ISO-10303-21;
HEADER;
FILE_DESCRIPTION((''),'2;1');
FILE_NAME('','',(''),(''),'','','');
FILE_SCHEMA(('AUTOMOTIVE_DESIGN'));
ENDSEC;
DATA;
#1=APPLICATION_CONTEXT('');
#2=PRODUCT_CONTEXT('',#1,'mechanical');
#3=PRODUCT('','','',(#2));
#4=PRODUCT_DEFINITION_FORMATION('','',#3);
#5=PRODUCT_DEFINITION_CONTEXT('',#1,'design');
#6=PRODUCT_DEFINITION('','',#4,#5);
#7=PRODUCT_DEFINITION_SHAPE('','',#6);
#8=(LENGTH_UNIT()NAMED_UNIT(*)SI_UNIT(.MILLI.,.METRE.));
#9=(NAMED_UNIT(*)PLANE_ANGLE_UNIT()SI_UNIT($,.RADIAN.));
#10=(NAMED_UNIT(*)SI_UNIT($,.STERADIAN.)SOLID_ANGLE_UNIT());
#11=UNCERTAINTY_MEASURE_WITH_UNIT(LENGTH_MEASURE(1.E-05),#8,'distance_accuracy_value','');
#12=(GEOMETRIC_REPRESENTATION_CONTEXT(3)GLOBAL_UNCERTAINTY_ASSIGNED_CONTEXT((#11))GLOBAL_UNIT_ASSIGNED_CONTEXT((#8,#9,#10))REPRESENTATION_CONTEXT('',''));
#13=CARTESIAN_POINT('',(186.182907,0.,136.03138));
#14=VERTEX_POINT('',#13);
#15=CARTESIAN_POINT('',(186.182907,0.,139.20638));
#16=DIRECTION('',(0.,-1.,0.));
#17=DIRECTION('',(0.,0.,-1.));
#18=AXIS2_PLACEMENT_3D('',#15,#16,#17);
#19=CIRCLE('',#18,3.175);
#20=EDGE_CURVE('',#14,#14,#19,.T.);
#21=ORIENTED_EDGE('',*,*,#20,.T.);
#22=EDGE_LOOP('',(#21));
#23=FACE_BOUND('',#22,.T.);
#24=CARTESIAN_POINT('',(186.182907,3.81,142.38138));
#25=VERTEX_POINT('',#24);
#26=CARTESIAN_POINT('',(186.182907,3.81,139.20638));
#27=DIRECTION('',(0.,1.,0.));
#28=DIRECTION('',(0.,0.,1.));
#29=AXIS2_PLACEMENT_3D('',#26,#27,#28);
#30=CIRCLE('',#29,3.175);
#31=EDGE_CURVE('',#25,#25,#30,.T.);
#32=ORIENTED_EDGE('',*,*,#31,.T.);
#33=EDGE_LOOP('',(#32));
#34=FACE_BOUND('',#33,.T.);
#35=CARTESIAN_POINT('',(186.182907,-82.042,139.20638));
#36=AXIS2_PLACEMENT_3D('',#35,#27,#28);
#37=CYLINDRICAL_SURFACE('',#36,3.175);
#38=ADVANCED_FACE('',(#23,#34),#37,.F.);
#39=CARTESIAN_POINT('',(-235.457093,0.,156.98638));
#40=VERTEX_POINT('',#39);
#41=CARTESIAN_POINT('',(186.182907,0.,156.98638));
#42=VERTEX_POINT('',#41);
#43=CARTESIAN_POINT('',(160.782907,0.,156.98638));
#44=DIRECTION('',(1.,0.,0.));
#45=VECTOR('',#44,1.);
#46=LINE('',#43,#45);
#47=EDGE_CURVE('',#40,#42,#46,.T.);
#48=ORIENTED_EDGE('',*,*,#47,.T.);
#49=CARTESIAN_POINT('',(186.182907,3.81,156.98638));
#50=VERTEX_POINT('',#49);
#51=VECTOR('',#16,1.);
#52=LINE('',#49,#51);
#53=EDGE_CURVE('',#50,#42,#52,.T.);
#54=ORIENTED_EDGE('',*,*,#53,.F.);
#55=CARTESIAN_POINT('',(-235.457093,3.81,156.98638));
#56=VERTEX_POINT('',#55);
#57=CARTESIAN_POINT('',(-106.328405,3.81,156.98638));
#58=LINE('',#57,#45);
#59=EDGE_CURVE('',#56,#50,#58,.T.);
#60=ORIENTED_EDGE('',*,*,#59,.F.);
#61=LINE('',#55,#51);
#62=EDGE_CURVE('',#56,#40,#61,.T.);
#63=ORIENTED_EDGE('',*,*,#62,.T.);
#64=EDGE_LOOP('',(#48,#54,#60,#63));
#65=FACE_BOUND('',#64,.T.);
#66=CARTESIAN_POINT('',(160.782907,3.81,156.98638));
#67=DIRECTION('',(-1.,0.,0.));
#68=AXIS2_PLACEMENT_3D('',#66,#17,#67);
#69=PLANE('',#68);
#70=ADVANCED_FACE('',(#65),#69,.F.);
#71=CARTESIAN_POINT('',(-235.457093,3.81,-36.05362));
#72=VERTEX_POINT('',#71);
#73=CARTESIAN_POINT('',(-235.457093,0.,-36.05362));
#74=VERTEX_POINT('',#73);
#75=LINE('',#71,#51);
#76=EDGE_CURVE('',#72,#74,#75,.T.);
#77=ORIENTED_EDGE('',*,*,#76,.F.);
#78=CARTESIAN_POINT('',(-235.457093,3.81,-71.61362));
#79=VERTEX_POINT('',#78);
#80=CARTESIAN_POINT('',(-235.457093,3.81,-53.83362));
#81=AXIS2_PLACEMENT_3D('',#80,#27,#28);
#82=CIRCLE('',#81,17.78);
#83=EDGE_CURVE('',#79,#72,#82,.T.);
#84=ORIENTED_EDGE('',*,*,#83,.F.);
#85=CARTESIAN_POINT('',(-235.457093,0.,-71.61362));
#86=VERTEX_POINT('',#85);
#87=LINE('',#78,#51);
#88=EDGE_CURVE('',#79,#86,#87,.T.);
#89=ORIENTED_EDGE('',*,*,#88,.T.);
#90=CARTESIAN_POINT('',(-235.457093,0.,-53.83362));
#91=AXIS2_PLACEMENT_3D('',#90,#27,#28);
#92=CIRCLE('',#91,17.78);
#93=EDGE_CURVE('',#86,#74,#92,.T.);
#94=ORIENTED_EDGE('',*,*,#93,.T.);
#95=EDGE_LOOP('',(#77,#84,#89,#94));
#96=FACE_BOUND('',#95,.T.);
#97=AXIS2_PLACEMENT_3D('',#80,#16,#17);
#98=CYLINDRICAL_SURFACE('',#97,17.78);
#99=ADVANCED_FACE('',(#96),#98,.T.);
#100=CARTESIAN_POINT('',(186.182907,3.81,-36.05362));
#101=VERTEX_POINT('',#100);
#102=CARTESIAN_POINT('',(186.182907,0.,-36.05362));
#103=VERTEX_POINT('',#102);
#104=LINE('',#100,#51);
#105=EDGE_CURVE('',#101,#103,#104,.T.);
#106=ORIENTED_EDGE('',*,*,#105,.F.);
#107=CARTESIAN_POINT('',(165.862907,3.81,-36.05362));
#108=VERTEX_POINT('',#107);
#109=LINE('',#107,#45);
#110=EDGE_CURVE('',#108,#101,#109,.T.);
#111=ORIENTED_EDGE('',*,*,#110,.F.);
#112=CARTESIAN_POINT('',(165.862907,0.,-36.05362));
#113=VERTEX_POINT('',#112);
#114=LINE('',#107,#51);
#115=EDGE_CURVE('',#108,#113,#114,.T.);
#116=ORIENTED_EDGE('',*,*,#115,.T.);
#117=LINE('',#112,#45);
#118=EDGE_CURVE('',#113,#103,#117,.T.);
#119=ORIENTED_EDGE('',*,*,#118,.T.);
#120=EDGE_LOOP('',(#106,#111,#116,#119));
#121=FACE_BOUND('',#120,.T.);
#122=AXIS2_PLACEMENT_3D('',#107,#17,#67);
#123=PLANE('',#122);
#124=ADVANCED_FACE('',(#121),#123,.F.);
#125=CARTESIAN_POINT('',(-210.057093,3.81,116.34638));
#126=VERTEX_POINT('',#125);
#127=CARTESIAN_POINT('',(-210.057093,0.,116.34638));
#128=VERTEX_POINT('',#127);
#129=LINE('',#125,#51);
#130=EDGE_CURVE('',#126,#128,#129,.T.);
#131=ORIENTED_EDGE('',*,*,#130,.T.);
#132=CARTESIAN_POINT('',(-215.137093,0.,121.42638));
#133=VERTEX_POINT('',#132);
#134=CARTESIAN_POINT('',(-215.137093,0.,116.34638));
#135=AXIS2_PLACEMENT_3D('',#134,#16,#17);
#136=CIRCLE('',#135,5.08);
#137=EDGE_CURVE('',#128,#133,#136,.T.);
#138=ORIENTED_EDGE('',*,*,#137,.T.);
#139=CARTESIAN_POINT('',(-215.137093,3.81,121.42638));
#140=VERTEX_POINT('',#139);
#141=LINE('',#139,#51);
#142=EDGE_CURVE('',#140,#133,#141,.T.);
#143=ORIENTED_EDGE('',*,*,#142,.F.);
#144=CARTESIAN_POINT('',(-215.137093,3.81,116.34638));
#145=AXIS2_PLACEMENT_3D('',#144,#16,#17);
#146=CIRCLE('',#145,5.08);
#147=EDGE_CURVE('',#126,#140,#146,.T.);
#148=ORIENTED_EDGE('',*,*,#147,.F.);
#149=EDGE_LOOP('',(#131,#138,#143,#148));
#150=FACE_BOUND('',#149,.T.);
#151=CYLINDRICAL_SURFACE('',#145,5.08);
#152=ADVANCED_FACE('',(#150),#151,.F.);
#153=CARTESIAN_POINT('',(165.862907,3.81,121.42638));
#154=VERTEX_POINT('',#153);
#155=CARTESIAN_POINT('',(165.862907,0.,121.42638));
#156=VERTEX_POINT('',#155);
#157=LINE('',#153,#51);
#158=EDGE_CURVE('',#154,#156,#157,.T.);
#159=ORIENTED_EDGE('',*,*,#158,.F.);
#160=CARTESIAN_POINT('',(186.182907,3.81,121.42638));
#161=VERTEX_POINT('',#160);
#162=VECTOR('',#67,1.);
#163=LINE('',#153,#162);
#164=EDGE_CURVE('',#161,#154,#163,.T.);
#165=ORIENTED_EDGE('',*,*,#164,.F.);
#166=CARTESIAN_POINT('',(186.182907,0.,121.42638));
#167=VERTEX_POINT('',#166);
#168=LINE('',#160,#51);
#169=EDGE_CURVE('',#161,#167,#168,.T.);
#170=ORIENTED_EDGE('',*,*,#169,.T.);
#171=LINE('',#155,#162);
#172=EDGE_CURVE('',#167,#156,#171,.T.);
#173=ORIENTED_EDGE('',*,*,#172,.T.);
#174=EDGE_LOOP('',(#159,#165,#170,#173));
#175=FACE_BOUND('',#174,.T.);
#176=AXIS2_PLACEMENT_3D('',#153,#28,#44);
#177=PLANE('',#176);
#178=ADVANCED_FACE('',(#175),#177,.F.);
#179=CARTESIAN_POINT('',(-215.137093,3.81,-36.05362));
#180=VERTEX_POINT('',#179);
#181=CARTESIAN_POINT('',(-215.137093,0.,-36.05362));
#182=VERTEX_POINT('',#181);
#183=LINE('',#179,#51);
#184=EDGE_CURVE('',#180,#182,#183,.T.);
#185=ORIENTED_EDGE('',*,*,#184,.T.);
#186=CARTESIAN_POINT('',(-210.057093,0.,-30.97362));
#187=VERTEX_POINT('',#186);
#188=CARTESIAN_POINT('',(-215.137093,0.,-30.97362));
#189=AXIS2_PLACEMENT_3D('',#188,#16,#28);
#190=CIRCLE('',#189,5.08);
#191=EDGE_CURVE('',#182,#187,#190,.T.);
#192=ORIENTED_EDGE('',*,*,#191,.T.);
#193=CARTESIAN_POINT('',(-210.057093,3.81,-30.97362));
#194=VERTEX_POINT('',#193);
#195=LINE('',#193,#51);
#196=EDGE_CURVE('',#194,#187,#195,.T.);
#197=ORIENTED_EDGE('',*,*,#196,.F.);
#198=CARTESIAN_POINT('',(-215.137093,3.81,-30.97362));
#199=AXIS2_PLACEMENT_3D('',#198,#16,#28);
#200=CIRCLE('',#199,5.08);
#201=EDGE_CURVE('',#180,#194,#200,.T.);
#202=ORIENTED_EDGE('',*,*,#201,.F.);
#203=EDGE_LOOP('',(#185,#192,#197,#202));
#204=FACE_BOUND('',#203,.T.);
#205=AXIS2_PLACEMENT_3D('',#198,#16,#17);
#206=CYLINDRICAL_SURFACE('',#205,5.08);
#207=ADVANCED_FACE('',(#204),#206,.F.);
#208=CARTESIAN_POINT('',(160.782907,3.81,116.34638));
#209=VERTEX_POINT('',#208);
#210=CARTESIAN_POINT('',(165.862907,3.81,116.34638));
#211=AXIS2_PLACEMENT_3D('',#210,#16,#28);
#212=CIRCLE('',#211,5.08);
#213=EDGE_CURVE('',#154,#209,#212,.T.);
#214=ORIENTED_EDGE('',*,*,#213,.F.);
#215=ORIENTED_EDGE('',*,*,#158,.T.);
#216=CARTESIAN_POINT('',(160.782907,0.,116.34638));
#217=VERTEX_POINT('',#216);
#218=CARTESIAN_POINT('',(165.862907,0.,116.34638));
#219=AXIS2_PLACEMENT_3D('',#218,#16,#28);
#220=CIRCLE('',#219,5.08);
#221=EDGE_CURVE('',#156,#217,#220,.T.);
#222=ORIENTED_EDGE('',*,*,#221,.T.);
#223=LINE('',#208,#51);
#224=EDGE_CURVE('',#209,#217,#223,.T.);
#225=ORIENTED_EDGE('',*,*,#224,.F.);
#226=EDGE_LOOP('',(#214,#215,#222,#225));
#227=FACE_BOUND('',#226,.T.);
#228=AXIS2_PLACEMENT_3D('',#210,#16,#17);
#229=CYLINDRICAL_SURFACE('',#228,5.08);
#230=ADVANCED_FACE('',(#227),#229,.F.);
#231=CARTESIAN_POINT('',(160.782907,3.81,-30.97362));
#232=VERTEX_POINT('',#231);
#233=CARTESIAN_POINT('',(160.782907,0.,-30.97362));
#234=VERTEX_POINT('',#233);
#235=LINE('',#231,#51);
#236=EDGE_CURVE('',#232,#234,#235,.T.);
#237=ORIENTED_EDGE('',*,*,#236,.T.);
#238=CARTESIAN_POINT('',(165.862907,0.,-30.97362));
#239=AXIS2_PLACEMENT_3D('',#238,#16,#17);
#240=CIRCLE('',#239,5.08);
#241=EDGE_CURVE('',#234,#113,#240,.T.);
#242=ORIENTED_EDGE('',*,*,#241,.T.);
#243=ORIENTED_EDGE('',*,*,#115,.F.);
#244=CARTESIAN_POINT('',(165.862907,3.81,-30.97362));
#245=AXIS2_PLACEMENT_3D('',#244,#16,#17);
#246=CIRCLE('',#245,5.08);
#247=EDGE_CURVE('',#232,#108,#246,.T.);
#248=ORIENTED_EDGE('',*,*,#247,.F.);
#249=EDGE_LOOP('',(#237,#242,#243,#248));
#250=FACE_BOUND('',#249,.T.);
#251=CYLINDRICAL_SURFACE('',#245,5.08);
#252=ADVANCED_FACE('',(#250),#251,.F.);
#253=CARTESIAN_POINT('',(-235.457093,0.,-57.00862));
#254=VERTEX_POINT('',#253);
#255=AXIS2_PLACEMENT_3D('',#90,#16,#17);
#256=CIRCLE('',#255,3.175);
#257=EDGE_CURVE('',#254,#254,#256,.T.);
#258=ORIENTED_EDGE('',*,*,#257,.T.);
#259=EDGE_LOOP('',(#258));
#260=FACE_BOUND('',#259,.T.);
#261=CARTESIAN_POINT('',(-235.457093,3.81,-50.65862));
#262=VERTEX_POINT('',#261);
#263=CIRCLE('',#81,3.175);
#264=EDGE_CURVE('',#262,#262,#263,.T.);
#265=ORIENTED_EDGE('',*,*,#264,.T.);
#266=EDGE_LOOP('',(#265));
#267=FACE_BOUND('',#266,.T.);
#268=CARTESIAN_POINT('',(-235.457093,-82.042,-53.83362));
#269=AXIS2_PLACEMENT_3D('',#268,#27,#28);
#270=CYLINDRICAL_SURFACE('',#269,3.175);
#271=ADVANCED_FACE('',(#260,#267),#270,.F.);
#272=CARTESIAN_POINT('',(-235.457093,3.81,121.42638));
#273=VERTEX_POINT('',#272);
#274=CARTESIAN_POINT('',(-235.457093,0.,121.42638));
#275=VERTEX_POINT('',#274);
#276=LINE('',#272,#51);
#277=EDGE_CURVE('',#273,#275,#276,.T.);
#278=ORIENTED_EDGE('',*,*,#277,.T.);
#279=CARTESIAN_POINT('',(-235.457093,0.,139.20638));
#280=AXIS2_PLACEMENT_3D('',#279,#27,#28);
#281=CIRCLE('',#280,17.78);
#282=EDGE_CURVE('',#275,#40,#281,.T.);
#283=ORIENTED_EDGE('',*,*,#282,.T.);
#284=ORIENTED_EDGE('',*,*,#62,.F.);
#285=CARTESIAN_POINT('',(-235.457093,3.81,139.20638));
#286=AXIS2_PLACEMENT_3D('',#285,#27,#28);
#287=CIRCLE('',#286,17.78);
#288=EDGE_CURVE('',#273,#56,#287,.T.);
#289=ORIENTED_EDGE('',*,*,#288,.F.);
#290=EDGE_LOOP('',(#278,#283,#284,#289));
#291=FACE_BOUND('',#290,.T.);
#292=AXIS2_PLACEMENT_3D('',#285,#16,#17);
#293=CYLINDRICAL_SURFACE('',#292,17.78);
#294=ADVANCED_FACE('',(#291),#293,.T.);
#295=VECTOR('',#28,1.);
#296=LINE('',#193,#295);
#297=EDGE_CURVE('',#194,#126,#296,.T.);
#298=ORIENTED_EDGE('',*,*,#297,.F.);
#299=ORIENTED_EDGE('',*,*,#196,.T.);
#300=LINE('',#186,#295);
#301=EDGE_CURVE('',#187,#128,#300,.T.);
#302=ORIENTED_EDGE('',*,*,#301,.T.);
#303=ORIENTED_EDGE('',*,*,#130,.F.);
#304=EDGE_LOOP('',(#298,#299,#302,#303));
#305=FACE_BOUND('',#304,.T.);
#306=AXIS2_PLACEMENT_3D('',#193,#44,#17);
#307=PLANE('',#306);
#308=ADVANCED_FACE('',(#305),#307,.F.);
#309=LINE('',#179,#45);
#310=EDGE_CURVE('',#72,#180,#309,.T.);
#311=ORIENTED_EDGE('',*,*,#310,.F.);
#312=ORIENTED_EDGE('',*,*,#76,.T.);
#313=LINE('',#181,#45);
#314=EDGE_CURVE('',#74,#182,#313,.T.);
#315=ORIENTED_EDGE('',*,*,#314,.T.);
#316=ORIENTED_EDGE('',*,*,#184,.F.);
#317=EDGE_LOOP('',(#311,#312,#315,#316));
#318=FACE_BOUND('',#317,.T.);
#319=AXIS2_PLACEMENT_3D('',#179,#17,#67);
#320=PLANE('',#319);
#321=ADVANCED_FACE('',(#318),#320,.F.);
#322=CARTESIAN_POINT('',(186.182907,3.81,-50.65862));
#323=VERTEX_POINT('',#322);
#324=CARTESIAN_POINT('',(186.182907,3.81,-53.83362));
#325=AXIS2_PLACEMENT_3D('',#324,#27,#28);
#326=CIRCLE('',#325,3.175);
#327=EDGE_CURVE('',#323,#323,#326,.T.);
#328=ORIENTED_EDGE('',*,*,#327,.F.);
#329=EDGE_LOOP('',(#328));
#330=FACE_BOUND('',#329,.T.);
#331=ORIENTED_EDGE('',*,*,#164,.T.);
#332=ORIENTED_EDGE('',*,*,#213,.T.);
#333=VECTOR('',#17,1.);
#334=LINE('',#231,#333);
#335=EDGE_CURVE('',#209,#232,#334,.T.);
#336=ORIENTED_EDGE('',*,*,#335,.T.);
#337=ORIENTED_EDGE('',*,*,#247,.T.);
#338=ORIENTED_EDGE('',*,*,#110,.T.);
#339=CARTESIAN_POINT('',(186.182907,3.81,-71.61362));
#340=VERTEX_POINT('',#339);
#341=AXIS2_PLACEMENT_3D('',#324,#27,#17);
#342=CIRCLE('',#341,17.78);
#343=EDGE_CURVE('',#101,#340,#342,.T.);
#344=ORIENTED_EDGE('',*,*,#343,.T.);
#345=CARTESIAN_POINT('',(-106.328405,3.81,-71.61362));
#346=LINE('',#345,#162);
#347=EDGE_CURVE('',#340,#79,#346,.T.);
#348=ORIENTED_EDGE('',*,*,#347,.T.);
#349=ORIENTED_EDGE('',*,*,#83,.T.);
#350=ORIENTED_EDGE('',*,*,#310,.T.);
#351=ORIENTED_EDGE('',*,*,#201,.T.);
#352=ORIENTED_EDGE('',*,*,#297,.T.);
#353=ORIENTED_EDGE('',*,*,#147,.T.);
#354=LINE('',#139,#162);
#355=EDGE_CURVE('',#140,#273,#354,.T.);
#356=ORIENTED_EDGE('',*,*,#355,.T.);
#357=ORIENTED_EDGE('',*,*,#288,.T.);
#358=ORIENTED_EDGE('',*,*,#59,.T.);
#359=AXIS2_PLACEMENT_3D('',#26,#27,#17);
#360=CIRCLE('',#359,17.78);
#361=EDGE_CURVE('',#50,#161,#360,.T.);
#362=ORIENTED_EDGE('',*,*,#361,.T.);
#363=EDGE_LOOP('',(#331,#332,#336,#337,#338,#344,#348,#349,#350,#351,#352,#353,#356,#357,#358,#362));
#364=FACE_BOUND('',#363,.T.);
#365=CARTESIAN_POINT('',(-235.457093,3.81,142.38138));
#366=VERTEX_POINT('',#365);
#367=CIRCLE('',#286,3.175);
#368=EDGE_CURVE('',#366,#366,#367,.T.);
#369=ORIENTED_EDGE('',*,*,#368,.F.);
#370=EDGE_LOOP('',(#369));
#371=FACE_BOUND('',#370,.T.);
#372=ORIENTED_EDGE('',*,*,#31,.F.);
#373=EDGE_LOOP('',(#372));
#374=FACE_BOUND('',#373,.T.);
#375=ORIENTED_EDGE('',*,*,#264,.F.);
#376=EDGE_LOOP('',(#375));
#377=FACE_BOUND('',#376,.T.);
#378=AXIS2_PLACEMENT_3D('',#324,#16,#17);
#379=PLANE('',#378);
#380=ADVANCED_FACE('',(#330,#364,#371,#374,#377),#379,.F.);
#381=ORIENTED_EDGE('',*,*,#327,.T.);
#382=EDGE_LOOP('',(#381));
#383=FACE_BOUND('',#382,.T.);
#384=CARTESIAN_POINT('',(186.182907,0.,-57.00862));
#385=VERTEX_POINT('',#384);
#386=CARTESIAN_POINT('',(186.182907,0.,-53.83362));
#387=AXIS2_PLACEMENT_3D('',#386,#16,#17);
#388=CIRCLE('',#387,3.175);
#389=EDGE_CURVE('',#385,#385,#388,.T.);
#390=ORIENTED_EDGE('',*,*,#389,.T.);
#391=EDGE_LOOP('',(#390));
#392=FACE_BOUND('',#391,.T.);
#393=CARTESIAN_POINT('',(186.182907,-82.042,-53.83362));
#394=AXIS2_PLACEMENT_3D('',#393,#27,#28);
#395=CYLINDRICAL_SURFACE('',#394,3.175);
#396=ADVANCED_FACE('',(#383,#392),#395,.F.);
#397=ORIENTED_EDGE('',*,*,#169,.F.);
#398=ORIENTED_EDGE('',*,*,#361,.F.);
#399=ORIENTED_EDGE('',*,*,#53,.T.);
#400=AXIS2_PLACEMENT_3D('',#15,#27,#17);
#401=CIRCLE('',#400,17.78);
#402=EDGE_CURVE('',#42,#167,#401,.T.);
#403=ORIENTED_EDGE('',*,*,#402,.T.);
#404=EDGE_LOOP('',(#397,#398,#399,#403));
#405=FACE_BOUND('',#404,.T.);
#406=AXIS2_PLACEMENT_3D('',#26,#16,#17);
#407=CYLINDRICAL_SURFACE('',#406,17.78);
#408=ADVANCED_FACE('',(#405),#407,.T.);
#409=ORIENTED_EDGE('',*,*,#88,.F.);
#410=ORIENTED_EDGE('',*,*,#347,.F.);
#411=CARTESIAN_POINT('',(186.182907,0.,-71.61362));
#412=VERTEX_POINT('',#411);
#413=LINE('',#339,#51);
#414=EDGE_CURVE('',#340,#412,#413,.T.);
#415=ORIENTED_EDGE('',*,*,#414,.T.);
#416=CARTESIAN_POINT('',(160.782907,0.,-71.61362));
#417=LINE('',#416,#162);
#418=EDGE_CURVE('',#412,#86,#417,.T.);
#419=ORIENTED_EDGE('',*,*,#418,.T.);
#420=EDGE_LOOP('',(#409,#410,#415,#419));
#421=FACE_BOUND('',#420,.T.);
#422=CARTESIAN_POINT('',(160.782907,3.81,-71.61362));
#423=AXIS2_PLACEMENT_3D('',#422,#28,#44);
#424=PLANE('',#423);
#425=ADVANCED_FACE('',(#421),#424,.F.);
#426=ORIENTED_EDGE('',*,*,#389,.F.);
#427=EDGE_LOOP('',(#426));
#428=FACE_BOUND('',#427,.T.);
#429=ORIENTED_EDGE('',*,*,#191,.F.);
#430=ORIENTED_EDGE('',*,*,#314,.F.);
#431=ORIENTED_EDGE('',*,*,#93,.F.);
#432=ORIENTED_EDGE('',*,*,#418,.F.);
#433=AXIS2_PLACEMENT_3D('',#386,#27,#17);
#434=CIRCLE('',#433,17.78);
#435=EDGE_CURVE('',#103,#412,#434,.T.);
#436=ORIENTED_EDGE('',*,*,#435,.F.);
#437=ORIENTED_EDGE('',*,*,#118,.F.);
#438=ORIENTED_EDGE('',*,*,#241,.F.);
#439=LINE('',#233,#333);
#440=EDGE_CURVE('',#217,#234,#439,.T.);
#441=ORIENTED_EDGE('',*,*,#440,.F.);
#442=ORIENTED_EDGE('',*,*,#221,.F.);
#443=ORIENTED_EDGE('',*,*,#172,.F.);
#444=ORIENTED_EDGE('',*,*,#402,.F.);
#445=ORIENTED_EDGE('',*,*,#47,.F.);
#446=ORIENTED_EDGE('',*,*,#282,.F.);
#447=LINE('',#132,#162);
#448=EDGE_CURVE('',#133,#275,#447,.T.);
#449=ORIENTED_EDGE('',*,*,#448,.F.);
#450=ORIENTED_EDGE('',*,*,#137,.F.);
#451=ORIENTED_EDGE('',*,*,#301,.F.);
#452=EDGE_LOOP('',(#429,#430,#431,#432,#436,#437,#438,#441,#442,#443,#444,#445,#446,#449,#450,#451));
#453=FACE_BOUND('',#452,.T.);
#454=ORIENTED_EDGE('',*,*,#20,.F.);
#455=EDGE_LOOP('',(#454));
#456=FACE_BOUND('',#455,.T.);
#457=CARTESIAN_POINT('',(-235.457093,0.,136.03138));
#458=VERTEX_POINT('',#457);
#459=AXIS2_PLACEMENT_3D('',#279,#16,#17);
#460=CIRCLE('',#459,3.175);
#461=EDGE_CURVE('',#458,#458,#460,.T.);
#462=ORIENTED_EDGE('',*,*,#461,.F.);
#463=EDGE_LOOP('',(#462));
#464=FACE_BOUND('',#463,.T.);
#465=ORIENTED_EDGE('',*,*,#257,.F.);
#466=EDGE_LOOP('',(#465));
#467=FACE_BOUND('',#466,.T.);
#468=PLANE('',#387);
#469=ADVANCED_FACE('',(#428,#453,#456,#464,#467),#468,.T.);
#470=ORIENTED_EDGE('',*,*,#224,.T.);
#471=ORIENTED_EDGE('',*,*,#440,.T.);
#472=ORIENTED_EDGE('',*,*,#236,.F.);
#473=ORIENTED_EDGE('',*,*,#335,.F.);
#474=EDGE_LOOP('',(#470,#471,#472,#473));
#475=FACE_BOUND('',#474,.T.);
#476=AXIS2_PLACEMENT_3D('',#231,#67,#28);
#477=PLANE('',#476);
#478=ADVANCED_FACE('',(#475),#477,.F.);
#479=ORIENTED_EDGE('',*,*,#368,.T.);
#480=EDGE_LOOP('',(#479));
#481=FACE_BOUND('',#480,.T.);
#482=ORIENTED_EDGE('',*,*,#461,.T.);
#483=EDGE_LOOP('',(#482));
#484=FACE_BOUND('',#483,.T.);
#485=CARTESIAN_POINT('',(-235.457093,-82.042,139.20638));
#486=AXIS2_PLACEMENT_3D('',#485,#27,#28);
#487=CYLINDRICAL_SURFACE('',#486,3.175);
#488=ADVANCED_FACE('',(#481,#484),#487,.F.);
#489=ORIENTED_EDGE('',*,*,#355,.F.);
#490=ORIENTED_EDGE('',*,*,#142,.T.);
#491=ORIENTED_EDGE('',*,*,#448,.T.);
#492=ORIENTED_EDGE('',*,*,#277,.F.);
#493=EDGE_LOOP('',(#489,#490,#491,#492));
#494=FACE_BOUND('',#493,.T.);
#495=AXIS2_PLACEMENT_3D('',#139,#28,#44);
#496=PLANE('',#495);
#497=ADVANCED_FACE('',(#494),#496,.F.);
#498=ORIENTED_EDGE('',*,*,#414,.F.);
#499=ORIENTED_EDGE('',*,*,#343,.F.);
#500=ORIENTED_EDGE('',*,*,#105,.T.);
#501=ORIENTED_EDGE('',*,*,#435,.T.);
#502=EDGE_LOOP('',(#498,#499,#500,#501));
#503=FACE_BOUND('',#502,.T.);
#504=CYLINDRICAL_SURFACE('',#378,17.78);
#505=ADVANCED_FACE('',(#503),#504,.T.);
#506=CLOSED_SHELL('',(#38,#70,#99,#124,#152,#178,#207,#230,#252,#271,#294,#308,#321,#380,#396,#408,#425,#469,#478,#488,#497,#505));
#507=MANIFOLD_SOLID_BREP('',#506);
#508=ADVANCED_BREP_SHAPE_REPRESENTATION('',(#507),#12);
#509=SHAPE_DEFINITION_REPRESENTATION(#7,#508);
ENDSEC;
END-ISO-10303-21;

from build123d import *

# Parameters (mm, degrees)
BOSS_EXTRUDE1_DEPTH = 3.81
SKETCH2_R           = 3.175
CUT_EXTRUDE1_DEPTH  = 85.852


with BuildPart() as part:
    # Sketch1 → Boss-Extrude1 (new body)
    with BuildSketch(Plane(origin=(0, 0, 0), x_dir=(1, 0, 0), z_dir=(0, 1, 0))):
        with BuildLine():
            Line((-106.328404832, 71.61361972), (-235.457093287, 71.61361972))
            ThreePointArc((-235.457093287, 71.61361972), (-253.237093287, 53.83361972), (-235.457093287, 36.05361972))
            Line((-235.457093287, 36.05361972), (-215.137093287, 36.05361972))
            ThreePointArc((-215.137093287, 36.05361972), (-211.544990839, 34.565722168), (-210.057093287, 30.97361972))
            Line((-210.057093287, 30.97361972), (-210.057093287, -116.34638028))
            ThreePointArc((-210.057093287, -116.34638028), (-211.544990839, -119.938482729), (-215.137093287, -121.42638028))
            Line((-215.137093287, -121.42638028), (-235.457093287, -121.42638028))
            ThreePointArc((-235.457093287, -121.42638028), (-253.237093287, -139.20638028), (-235.457093287, -156.98638028))
            Line((-235.457093287, -156.98638028), (-106.328404832, -156.98638028))
            Line((-106.328404832, -156.98638028), (160.782906713, -156.98638028))
            Line((160.782906713, -156.98638028), (186.182906713, -156.98638028))
            ThreePointArc((186.182906713, -156.98638028), (203.962906713, -139.20638028), (186.182906713, -121.42638028))
            Line((186.182906713, -121.42638028), (165.862906713, -121.42638028))
            ThreePointArc((165.862906713, -121.42638028), (162.270804264, -119.938482729), (160.782906713, -116.34638028))
            Line((160.782906713, -116.34638028), (160.782906713, 30.97361972))
            ThreePointArc((160.782906713, 30.97361972), (162.270804264, 34.565722168), (165.862906713, 36.05361972))
            Line((165.862906713, 36.05361972), (186.182906713, 36.05361972))
            ThreePointArc((186.182906713, 36.05361972), (203.962906713, 53.83361972), (186.182906713, 71.61361972))
            Line((186.182906713, 71.61361972), (160.782906713, 71.61361972))
            Line((160.782906713, 71.61361972), (-106.328404832, 71.61361972))
        make_face()
    extrude(amount=BOSS_EXTRUDE1_DEPTH)

    # Sketch2 → Cut-Extrude1 (cut)
    with BuildSketch(Plane(origin=(0, 3.81, 0), x_dir=(1, 0, 0), z_dir=(0, 1, 0))):
        with Locations((-235.457093287, 53.83361972)):
            Circle(SKETCH2_R)
        with Locations((186.182906713, 53.83361972)):
            Circle(SKETCH2_R)
        with Locations((186.182906713, -139.20638028)):
            Circle(SKETCH2_R)
        with Locations((-235.457093287, -139.20638028)):
            Circle(SKETCH2_R)
    extrude(amount=-CUT_EXTRUDE1_DEPTH, mode=Mode.SUBTRACT)


solid = part.part
